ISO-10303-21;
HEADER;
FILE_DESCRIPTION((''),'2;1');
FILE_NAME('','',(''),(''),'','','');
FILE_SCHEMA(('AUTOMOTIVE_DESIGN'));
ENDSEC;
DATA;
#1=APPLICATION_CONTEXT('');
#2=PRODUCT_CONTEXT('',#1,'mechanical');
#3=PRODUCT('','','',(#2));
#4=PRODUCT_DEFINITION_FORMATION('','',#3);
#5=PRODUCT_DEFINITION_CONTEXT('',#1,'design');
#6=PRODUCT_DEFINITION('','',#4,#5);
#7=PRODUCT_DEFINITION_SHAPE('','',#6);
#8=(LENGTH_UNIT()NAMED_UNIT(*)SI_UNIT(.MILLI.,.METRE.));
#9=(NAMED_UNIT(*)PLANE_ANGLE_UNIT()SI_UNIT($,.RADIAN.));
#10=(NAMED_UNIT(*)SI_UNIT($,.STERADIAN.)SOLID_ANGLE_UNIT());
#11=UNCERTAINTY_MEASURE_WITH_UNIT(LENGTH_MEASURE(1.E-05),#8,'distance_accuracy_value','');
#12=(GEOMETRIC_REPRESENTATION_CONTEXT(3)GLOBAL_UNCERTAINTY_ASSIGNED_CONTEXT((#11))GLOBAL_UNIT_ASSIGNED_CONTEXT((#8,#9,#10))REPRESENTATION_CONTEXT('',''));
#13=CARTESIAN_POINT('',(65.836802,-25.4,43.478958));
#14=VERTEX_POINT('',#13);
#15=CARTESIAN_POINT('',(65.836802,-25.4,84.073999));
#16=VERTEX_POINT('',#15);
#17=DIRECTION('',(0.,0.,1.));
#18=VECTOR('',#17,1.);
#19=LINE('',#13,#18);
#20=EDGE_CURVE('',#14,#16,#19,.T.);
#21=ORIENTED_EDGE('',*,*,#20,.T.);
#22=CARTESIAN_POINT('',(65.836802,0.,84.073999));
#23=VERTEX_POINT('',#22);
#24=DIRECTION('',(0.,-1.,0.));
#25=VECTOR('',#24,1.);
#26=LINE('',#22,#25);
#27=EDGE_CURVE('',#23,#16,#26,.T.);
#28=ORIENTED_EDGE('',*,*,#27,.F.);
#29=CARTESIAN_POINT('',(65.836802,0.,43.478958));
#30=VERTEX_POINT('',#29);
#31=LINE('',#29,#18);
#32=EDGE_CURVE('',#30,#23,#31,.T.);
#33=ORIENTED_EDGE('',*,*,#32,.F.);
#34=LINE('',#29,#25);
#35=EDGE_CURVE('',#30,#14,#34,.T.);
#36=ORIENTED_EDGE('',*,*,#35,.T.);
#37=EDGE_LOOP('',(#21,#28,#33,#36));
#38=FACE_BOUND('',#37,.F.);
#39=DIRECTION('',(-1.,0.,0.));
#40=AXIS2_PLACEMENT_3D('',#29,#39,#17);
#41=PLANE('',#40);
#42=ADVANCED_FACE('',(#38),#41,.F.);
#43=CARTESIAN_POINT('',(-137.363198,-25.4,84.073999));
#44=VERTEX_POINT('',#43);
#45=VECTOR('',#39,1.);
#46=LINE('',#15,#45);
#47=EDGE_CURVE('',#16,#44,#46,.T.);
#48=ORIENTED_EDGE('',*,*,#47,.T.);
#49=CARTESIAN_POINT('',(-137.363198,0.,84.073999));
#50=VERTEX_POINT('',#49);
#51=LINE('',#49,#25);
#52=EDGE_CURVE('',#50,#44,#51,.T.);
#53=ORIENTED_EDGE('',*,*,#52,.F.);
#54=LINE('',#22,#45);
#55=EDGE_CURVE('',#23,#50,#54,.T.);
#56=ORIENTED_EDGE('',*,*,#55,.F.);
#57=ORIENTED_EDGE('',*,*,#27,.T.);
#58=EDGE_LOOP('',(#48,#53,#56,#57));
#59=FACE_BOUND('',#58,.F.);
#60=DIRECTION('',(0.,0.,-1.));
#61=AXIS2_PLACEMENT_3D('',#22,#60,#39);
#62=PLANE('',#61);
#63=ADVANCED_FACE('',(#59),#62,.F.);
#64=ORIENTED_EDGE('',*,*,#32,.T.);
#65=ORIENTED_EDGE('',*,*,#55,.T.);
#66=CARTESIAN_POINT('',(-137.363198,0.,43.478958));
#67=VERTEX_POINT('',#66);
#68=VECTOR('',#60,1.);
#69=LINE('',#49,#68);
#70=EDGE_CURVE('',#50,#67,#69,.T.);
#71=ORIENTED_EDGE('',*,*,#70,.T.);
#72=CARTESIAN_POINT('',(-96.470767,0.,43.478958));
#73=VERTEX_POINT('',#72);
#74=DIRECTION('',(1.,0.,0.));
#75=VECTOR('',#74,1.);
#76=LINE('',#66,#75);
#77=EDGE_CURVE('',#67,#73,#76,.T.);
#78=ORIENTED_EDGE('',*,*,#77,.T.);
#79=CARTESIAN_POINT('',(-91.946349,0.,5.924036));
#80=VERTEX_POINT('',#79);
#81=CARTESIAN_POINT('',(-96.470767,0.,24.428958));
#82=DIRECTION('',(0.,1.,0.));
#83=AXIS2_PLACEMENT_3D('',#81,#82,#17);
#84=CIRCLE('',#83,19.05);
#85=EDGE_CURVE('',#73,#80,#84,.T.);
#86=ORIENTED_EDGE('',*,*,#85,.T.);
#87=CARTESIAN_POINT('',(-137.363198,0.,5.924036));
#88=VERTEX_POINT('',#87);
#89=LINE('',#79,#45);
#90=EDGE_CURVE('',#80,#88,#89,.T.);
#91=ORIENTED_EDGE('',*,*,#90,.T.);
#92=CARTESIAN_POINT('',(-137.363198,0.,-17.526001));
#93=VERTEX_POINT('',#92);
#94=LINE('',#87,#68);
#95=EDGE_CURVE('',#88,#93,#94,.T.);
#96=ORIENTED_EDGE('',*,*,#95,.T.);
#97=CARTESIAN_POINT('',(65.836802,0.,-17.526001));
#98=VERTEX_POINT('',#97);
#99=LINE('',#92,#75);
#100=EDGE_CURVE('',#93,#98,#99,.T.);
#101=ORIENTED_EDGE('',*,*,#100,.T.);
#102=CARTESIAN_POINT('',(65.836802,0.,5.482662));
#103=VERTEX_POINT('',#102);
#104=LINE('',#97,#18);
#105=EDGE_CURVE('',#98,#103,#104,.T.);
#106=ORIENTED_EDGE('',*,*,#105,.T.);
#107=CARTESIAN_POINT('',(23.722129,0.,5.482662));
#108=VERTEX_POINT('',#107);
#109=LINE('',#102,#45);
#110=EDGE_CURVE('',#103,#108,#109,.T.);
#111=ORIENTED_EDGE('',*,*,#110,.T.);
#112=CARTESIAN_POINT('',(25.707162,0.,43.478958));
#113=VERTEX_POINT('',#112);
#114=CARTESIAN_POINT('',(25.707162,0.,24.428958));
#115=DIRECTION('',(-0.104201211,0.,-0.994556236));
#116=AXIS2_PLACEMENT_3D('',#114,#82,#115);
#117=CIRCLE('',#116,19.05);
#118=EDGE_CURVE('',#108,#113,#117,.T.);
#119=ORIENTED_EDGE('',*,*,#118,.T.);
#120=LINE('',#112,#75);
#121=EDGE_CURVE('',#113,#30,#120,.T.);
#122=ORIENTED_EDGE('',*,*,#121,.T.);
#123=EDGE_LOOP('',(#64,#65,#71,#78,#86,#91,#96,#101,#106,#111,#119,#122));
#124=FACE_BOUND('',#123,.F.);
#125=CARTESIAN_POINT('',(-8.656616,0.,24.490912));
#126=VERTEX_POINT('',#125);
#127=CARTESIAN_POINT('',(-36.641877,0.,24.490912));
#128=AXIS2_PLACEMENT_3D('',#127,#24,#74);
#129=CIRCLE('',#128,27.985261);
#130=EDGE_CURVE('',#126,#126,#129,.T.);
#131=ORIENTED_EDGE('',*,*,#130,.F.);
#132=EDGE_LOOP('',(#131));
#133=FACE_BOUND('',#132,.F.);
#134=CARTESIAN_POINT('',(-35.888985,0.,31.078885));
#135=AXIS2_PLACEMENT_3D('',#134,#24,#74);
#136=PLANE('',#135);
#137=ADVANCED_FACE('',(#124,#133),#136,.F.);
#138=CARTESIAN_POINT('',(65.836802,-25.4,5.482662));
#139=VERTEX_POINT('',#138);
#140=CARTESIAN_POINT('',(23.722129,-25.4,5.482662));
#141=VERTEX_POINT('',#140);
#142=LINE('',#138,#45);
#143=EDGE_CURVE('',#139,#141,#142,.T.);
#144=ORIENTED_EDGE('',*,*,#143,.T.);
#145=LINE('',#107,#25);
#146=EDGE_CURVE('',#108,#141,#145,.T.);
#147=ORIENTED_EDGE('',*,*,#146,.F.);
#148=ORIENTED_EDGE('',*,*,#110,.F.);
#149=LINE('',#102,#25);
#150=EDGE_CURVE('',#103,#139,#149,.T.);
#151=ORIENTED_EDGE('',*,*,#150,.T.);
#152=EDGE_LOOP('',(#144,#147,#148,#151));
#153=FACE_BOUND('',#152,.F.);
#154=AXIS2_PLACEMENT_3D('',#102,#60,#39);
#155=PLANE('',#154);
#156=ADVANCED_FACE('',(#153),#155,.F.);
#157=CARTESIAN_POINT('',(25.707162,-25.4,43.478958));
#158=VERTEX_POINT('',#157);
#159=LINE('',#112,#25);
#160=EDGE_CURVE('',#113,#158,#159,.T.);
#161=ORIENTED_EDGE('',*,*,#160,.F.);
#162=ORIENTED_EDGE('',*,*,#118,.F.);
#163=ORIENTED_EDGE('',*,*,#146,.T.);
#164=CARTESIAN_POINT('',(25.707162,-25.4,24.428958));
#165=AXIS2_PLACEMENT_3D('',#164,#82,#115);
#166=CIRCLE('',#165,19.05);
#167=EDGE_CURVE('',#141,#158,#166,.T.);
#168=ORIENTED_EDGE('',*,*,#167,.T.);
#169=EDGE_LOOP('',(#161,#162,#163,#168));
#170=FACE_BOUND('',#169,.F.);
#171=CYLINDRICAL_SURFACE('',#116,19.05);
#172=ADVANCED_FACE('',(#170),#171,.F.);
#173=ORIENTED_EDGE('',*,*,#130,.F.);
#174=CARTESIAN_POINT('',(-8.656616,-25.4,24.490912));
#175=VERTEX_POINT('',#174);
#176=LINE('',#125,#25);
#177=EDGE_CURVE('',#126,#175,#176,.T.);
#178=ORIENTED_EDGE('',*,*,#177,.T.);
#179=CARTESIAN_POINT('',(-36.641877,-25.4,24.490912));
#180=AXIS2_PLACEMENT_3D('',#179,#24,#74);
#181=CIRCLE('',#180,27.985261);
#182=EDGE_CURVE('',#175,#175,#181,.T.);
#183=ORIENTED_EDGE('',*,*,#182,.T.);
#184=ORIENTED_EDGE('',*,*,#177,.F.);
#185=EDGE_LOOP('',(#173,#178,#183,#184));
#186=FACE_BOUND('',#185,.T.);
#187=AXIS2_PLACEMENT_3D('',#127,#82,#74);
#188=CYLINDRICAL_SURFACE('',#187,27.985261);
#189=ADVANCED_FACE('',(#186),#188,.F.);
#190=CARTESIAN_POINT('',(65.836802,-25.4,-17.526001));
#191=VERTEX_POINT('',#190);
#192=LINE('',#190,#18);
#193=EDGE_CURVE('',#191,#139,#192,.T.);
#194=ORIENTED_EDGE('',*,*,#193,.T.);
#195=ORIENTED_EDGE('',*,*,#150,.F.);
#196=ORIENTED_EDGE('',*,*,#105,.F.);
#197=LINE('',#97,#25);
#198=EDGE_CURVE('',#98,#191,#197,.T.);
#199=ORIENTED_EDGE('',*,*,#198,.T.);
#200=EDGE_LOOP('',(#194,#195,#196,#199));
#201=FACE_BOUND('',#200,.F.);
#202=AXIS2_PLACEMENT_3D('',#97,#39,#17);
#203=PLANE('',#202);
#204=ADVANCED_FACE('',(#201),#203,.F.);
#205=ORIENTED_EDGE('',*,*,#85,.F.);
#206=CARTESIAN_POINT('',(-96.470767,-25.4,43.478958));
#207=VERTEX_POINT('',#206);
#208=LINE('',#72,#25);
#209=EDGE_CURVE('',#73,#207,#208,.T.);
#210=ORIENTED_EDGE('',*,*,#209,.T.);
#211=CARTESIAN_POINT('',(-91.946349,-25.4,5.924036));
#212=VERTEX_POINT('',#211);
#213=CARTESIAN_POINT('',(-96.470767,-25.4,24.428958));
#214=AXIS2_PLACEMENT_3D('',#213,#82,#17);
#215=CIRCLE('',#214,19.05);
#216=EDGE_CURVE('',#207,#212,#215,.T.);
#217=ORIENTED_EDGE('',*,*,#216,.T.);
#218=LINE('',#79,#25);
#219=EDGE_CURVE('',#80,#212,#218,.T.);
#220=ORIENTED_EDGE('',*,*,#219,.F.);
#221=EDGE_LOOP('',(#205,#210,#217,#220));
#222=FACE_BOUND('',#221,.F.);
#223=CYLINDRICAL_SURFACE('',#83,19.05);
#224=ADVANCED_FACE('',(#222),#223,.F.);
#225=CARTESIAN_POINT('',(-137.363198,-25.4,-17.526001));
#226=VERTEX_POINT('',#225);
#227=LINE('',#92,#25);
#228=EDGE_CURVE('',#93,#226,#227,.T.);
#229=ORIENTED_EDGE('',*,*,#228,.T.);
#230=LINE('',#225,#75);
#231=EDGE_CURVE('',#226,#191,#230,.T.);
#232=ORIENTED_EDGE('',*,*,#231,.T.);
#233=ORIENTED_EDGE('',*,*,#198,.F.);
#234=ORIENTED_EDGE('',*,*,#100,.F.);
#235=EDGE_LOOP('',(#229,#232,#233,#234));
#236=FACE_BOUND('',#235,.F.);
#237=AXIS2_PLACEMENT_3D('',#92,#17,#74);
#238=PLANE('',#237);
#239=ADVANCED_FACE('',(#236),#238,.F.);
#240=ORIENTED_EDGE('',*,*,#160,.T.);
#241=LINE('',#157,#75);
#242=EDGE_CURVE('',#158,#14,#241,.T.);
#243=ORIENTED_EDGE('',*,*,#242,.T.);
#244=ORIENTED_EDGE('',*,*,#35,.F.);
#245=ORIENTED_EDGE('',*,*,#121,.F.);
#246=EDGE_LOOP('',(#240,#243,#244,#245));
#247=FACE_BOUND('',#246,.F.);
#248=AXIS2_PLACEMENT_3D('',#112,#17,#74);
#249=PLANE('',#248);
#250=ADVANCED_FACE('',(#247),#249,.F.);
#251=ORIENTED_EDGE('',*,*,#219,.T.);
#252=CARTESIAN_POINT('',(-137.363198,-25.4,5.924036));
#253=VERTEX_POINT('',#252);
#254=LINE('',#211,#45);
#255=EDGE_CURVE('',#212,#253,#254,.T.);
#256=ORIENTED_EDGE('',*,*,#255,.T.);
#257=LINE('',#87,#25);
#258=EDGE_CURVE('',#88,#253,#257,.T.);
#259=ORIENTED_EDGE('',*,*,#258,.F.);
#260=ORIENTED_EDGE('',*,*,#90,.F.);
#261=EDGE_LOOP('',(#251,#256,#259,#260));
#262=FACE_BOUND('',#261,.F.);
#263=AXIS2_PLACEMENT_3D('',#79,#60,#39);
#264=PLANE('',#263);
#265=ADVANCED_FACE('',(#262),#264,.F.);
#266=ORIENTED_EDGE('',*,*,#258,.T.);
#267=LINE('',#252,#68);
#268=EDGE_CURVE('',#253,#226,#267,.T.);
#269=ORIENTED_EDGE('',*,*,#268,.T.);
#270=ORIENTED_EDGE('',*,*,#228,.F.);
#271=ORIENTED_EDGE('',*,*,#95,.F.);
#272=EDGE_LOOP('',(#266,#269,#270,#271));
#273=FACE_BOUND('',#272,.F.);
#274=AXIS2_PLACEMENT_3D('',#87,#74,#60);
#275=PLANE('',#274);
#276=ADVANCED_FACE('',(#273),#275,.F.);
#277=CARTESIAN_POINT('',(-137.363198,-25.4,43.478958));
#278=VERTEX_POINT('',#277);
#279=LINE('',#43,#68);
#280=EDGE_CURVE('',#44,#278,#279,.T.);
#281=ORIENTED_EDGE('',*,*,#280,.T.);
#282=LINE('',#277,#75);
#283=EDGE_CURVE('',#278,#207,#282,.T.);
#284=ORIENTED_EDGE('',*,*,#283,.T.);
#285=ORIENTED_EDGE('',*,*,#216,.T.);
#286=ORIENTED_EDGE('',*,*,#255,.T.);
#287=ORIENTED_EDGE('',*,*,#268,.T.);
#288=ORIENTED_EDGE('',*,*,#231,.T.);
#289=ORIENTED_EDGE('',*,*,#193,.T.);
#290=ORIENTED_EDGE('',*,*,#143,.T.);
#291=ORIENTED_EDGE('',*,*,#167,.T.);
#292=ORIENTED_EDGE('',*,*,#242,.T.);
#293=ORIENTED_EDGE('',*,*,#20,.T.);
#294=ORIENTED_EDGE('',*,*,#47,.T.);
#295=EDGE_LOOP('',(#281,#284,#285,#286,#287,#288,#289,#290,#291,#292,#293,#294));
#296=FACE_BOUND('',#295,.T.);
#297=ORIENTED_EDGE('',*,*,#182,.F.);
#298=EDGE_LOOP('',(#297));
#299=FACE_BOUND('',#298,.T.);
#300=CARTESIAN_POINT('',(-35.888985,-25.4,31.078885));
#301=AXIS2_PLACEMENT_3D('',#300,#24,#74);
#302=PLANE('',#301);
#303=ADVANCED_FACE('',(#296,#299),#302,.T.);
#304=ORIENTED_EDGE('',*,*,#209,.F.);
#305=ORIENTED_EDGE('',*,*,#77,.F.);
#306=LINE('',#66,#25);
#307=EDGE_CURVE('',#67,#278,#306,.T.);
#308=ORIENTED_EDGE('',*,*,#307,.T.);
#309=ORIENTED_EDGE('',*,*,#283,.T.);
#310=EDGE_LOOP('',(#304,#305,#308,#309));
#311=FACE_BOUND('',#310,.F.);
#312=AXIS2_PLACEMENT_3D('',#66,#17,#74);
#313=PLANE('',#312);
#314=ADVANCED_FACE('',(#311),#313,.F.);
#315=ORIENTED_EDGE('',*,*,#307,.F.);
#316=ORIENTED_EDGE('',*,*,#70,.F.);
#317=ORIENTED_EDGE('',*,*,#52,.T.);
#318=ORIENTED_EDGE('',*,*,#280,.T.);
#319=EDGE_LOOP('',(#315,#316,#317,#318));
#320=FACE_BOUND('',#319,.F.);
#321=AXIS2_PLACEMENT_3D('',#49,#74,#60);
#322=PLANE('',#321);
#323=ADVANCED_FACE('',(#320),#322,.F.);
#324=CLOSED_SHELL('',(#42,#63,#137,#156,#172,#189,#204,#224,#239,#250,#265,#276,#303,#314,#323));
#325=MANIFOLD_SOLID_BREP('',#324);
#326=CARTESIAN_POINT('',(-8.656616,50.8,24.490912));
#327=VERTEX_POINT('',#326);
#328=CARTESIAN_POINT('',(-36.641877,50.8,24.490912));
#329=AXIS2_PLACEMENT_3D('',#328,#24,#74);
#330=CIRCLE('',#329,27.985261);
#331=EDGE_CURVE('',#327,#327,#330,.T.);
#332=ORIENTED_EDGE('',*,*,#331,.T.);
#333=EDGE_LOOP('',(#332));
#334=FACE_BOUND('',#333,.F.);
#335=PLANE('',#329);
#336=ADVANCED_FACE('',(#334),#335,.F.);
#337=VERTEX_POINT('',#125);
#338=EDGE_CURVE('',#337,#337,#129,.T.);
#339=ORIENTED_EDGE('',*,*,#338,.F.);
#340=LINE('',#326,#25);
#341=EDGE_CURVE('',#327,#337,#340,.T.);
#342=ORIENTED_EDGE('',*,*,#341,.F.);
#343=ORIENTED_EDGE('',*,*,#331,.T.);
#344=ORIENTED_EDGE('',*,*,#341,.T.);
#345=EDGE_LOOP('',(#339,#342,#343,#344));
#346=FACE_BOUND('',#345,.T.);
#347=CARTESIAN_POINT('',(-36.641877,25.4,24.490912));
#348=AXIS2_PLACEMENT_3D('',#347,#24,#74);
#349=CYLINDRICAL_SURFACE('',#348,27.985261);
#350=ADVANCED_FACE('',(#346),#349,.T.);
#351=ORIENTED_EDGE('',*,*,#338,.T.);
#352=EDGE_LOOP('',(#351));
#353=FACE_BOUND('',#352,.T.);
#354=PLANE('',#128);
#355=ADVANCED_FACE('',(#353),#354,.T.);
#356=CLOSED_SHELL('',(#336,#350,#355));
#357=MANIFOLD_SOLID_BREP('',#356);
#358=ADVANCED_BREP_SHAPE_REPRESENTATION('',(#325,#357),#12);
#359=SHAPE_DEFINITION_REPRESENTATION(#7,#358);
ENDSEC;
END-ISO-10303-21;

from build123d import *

# Parameters (mm, degrees)
F0_R     = 27.9852612084
F1_DEPTH = 25.4
F2_DEPTH = 25.4
F3_DEPTH = 25.4


with BuildPart() as f1:
    # F0 (on Front) → F1 (new body)
    with BuildSketch(Plane.XZ):
        with BuildLine():
            Line((65.836802125, 84.0739992619), (-137.363197875, 84.0739992619))
            Line((-137.363197875, 84.0739992619), (-137.363197875, 43.4789583087))
            Line((-137.363197875, 43.4789583087), (-96.4707667423, 43.4789583087))
            ThreePointArc((-96.4707667423, 43.4789583087), (-77.5575271333, 26.707525291), (-91.9463485479, 5.9240362607))
            Line((-91.9463485479, 5.9240362607), (-137.363197875, 5.9240362607))
            Line((-137.363197875, 5.9240362607), (-137.363197875, -17.5260007381))
            Line((-137.363197875, -17.5260007381), (65.836802125, -17.5260007381))
            Line((65.836802125, -17.5260007381), (65.836802125, 5.4826620035))
            Line((65.836802125, 5.4826620035), (23.7221289426, 5.4826620035))
            ThreePointArc((23.7221289426, 5.4826620035), (6.6831056088, 25.422828367), (25.7071620192, 43.4789583087))
            Line((25.7071620192, 43.4789583087), (65.836802125, 43.4789583087))
            Line((65.836802125, 43.4789583087), (65.836802125, 84.0739992619))
        make_face()
        with Locations((-36.6418771446, 24.4909115136)):
            Circle(F0_R, mode=Mode.SUBTRACT)
    extrude(amount=F1_DEPTH)

    # F0 (on Front) → F2 (join)
    with BuildSketch(Plane.XZ):
        with Locations((-36.6418771446, 24.4909115136)):
            Circle(F0_R)
    extrude(amount=-F2_DEPTH)

    # F3 (add): a face of the model
    f3_faces = [f1.faces().sort_by_distance(p)[0] for p in [
        (-36.6418771446, 25.4, 24.4909115136),
    ]]
    extrude(f3_faces, amount=F3_DEPTH)


solid = f1.part
